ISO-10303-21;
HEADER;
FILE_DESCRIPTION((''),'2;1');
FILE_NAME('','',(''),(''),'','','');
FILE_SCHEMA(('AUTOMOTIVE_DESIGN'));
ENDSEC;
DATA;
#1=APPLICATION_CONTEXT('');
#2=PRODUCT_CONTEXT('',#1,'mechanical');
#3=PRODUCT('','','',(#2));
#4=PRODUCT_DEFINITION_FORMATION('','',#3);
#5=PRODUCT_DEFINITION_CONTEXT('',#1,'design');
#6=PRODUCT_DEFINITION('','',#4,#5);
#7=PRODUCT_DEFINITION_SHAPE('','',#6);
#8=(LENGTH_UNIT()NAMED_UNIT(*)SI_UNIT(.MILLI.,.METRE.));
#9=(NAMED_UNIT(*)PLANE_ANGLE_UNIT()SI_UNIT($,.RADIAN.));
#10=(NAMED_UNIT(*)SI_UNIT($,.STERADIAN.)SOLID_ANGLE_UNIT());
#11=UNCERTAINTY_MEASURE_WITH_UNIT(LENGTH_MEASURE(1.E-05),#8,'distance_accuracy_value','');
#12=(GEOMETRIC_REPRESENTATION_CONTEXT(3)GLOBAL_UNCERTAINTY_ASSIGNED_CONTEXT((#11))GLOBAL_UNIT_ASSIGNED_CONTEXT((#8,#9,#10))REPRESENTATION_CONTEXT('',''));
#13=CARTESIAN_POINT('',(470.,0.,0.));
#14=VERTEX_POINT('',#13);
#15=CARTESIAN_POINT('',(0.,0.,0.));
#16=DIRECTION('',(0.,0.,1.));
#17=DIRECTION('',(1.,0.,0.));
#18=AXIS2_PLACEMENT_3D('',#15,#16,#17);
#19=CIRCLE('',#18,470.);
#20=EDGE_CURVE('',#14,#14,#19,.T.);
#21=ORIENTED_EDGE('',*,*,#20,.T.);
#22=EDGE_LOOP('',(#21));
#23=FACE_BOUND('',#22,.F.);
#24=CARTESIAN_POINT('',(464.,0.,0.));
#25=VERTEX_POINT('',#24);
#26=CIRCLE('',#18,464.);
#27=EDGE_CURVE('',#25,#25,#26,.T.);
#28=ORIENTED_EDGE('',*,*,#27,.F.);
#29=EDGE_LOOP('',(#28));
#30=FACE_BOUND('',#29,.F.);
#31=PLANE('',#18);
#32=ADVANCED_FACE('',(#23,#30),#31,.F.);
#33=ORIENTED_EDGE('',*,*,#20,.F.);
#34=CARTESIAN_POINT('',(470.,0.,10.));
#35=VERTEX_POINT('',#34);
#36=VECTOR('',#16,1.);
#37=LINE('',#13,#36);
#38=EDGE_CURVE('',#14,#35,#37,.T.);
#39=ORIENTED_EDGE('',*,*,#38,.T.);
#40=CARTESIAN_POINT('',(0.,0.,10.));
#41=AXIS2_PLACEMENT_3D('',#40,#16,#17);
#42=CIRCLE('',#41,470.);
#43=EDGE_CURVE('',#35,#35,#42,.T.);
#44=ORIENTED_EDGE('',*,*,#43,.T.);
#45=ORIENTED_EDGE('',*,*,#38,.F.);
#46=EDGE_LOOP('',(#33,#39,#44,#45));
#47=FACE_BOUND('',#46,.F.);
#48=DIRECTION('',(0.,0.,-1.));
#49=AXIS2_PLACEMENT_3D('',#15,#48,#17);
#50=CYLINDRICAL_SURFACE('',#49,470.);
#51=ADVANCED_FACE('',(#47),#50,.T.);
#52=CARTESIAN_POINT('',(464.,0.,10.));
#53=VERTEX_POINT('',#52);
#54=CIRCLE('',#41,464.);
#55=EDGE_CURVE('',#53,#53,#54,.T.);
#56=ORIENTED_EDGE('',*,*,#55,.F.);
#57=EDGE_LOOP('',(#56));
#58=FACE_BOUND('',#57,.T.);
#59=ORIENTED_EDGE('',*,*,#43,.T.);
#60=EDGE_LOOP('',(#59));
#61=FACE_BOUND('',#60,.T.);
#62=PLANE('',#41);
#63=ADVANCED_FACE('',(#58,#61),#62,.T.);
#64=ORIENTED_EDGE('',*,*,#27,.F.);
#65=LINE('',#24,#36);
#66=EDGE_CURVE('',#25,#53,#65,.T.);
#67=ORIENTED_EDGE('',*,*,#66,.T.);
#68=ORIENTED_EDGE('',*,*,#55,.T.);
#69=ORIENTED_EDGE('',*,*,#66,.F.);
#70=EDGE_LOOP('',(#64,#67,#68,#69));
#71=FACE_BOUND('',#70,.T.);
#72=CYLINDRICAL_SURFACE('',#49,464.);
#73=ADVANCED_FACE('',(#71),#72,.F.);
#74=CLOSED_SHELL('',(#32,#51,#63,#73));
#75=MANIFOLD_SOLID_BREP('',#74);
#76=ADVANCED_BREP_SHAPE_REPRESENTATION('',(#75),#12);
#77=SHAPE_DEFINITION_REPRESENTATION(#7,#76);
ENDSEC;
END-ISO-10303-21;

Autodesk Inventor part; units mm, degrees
ref_plane "YZ Plane" through (0, 0, 0) normal (1, 0, 0) x (0, 1, 0)
ref_plane "XZ Plane" through (0, 0, 0) normal (0, 1, 0) x (-1, 0, 0)
ref_plane "XY Plane" through (0, 0, 0) normal (0, 0, 1) x (1, 0, 0)
sketch "Sketch1" plane through (0, 0, 0) normal (0, 0, 1) x (1, 0, 0)
  circle A0 centre (0, 0) radius 470
  circle A1 centre (0, 0) radius 464
  dimension "d0" = 940
  dimension "d1" = 6
extrude "Extrusion1" add sketch "Sketch1" along normal blind 10
sketch "Sketch2" plane through (0, 0, 0) normal (0, 0, 1) x (1, 0, 0)
  circle A0 centre (-90, -87.958) radius 95
  circle A1 centre (-250, -87.958) radius 95
  circle A2 centre (-400, -87.958) radius 95
  circle A3 centre (-130, -210) radius 95
  circle A4 centre (-315, -210) radius 95
  circle A5 centre (-220, -340) radius 95
  line L0 (0, -87.958) -> (-400, -87.958)
  line L1 (0, 0) -> (0, -487.8658)
  line L2 (0, -340) -> (-220, -340)
  line L3 (0, -210) -> (-315, -210)
  circle A6 centre (-90, -340) radius 95
  line L4 (87.4849, 38.1849) -> (90.8389, 440.6653)
  line L5 (212.1333, 37.1461) -> (212.1333, 380.2933)
  line L6 (330.7447, 36.1577) -> (330.7447, 284.5726)
  dimension "d8" = 210
  dimension "d9" = 340
  dimension "d11" = 90
  dimension "d12" = 250
  dimension "d13" = 400
  dimension "d16" = 130
  dimension "d17" = 315
  dimension "d18" = 90
  dimension "d19" = 220
sketch "Sketch3" plane through (0, 0, 0) normal (0, 0, 1) x (1, 0, 0)
  circle A0 centre (-104.0992, -233.3488) radius 95
  circle A1 centre (-161.9131, -395.3117) radius 95
  circle A2 centre (-91.7953, -514.3257) radius 95
  circle A3 centre (-280.9346, -260.412) radius 95
  circle A4 centre (-299.5406, -418.8761) radius 95
  circle A5 centre (-250.7395, 99.5106) radius 95
  circle A6 centre (-395.8303, 87.9315) radius 95
  circle A7 centre (-535.2648, 91.0733) radius 95
  circle A8 centre (-460.3613, -287.8718) radius 95
  circle A9 centre (-531.2922, -111.9436) radius 95
  circle A10 centre (-392.3143, -102.4845) radius 95
  circle A11 centre (0, 0) radius 542.9574 construction
  circle A12 centre (-253.2201, -93.0176) radius 95
  circle A13 centre (-90.4998, -81.9426) radius 95
  circle A14 centre (85.6841, -88.1302) radius 95
  circle A15 centre (-90.4998, 88.0537) radius 95
  circle A16 centre (0, 0) radius 405.4794 construction
  circle A17 centre (0, 0) radius 269.7641 construction
  circle A18 centre (85.6841, 88.0537) radius 95
  line L0 (0, 0) -> (0, -542.9574)
  line L1 (0, -75.783) -> (-531.2922, -111.9436)
  line L2 (0, -217.4173) -> (-460.3613, -287.8718)
  circle A19 centre (0, 0) radius 600
  line L3 (0, -367.5891) -> (-299.5406, -418.8761)
  line L4 (-91.7953, -514.3257) -> (0, -514.3257)
  point P0 (0, 0)
  dimension "d21" = 190
  dimension "d22" = 1200
equation "\"BendRadius\" = Thickness"
equation "\"BendReliefWidth\" = Thickness"
equation "\"BendReliefDepth\" = 0.5 * Thickness"
equation "\"CornerReliefSize\" = 4 * Thickness"
equation "\"MinimumRemnant\" = 2 * Thickness"
equation "\"TransitionRadius\" = BendRadius"
equation "\"JacobiRadiusSize\" = BendRadius"
equation "\"GapSize\" = Thickness"
equation "\"way_tube_L1\" = 1"
equation "\"way_tube_L2\" = 1"
equation "\"way_tube_L3\" = 1"
equation "\"way_tube_L4\" = 1"
equation "\"way_tube_L5\" = 120"
equation "\"way_tube_L6\" = 90"
equation "\"way_tube_L7\" = 20"
equation "\"way_tube_L8\" = 90"
equation "\"way_tube_L9\" = 80"
equation "\"way_tube_L10\" = 80"
equation "\"Thickness\" = 3.048"
properties part number "PRS 869859 DIM filter-distribution-system_940"
